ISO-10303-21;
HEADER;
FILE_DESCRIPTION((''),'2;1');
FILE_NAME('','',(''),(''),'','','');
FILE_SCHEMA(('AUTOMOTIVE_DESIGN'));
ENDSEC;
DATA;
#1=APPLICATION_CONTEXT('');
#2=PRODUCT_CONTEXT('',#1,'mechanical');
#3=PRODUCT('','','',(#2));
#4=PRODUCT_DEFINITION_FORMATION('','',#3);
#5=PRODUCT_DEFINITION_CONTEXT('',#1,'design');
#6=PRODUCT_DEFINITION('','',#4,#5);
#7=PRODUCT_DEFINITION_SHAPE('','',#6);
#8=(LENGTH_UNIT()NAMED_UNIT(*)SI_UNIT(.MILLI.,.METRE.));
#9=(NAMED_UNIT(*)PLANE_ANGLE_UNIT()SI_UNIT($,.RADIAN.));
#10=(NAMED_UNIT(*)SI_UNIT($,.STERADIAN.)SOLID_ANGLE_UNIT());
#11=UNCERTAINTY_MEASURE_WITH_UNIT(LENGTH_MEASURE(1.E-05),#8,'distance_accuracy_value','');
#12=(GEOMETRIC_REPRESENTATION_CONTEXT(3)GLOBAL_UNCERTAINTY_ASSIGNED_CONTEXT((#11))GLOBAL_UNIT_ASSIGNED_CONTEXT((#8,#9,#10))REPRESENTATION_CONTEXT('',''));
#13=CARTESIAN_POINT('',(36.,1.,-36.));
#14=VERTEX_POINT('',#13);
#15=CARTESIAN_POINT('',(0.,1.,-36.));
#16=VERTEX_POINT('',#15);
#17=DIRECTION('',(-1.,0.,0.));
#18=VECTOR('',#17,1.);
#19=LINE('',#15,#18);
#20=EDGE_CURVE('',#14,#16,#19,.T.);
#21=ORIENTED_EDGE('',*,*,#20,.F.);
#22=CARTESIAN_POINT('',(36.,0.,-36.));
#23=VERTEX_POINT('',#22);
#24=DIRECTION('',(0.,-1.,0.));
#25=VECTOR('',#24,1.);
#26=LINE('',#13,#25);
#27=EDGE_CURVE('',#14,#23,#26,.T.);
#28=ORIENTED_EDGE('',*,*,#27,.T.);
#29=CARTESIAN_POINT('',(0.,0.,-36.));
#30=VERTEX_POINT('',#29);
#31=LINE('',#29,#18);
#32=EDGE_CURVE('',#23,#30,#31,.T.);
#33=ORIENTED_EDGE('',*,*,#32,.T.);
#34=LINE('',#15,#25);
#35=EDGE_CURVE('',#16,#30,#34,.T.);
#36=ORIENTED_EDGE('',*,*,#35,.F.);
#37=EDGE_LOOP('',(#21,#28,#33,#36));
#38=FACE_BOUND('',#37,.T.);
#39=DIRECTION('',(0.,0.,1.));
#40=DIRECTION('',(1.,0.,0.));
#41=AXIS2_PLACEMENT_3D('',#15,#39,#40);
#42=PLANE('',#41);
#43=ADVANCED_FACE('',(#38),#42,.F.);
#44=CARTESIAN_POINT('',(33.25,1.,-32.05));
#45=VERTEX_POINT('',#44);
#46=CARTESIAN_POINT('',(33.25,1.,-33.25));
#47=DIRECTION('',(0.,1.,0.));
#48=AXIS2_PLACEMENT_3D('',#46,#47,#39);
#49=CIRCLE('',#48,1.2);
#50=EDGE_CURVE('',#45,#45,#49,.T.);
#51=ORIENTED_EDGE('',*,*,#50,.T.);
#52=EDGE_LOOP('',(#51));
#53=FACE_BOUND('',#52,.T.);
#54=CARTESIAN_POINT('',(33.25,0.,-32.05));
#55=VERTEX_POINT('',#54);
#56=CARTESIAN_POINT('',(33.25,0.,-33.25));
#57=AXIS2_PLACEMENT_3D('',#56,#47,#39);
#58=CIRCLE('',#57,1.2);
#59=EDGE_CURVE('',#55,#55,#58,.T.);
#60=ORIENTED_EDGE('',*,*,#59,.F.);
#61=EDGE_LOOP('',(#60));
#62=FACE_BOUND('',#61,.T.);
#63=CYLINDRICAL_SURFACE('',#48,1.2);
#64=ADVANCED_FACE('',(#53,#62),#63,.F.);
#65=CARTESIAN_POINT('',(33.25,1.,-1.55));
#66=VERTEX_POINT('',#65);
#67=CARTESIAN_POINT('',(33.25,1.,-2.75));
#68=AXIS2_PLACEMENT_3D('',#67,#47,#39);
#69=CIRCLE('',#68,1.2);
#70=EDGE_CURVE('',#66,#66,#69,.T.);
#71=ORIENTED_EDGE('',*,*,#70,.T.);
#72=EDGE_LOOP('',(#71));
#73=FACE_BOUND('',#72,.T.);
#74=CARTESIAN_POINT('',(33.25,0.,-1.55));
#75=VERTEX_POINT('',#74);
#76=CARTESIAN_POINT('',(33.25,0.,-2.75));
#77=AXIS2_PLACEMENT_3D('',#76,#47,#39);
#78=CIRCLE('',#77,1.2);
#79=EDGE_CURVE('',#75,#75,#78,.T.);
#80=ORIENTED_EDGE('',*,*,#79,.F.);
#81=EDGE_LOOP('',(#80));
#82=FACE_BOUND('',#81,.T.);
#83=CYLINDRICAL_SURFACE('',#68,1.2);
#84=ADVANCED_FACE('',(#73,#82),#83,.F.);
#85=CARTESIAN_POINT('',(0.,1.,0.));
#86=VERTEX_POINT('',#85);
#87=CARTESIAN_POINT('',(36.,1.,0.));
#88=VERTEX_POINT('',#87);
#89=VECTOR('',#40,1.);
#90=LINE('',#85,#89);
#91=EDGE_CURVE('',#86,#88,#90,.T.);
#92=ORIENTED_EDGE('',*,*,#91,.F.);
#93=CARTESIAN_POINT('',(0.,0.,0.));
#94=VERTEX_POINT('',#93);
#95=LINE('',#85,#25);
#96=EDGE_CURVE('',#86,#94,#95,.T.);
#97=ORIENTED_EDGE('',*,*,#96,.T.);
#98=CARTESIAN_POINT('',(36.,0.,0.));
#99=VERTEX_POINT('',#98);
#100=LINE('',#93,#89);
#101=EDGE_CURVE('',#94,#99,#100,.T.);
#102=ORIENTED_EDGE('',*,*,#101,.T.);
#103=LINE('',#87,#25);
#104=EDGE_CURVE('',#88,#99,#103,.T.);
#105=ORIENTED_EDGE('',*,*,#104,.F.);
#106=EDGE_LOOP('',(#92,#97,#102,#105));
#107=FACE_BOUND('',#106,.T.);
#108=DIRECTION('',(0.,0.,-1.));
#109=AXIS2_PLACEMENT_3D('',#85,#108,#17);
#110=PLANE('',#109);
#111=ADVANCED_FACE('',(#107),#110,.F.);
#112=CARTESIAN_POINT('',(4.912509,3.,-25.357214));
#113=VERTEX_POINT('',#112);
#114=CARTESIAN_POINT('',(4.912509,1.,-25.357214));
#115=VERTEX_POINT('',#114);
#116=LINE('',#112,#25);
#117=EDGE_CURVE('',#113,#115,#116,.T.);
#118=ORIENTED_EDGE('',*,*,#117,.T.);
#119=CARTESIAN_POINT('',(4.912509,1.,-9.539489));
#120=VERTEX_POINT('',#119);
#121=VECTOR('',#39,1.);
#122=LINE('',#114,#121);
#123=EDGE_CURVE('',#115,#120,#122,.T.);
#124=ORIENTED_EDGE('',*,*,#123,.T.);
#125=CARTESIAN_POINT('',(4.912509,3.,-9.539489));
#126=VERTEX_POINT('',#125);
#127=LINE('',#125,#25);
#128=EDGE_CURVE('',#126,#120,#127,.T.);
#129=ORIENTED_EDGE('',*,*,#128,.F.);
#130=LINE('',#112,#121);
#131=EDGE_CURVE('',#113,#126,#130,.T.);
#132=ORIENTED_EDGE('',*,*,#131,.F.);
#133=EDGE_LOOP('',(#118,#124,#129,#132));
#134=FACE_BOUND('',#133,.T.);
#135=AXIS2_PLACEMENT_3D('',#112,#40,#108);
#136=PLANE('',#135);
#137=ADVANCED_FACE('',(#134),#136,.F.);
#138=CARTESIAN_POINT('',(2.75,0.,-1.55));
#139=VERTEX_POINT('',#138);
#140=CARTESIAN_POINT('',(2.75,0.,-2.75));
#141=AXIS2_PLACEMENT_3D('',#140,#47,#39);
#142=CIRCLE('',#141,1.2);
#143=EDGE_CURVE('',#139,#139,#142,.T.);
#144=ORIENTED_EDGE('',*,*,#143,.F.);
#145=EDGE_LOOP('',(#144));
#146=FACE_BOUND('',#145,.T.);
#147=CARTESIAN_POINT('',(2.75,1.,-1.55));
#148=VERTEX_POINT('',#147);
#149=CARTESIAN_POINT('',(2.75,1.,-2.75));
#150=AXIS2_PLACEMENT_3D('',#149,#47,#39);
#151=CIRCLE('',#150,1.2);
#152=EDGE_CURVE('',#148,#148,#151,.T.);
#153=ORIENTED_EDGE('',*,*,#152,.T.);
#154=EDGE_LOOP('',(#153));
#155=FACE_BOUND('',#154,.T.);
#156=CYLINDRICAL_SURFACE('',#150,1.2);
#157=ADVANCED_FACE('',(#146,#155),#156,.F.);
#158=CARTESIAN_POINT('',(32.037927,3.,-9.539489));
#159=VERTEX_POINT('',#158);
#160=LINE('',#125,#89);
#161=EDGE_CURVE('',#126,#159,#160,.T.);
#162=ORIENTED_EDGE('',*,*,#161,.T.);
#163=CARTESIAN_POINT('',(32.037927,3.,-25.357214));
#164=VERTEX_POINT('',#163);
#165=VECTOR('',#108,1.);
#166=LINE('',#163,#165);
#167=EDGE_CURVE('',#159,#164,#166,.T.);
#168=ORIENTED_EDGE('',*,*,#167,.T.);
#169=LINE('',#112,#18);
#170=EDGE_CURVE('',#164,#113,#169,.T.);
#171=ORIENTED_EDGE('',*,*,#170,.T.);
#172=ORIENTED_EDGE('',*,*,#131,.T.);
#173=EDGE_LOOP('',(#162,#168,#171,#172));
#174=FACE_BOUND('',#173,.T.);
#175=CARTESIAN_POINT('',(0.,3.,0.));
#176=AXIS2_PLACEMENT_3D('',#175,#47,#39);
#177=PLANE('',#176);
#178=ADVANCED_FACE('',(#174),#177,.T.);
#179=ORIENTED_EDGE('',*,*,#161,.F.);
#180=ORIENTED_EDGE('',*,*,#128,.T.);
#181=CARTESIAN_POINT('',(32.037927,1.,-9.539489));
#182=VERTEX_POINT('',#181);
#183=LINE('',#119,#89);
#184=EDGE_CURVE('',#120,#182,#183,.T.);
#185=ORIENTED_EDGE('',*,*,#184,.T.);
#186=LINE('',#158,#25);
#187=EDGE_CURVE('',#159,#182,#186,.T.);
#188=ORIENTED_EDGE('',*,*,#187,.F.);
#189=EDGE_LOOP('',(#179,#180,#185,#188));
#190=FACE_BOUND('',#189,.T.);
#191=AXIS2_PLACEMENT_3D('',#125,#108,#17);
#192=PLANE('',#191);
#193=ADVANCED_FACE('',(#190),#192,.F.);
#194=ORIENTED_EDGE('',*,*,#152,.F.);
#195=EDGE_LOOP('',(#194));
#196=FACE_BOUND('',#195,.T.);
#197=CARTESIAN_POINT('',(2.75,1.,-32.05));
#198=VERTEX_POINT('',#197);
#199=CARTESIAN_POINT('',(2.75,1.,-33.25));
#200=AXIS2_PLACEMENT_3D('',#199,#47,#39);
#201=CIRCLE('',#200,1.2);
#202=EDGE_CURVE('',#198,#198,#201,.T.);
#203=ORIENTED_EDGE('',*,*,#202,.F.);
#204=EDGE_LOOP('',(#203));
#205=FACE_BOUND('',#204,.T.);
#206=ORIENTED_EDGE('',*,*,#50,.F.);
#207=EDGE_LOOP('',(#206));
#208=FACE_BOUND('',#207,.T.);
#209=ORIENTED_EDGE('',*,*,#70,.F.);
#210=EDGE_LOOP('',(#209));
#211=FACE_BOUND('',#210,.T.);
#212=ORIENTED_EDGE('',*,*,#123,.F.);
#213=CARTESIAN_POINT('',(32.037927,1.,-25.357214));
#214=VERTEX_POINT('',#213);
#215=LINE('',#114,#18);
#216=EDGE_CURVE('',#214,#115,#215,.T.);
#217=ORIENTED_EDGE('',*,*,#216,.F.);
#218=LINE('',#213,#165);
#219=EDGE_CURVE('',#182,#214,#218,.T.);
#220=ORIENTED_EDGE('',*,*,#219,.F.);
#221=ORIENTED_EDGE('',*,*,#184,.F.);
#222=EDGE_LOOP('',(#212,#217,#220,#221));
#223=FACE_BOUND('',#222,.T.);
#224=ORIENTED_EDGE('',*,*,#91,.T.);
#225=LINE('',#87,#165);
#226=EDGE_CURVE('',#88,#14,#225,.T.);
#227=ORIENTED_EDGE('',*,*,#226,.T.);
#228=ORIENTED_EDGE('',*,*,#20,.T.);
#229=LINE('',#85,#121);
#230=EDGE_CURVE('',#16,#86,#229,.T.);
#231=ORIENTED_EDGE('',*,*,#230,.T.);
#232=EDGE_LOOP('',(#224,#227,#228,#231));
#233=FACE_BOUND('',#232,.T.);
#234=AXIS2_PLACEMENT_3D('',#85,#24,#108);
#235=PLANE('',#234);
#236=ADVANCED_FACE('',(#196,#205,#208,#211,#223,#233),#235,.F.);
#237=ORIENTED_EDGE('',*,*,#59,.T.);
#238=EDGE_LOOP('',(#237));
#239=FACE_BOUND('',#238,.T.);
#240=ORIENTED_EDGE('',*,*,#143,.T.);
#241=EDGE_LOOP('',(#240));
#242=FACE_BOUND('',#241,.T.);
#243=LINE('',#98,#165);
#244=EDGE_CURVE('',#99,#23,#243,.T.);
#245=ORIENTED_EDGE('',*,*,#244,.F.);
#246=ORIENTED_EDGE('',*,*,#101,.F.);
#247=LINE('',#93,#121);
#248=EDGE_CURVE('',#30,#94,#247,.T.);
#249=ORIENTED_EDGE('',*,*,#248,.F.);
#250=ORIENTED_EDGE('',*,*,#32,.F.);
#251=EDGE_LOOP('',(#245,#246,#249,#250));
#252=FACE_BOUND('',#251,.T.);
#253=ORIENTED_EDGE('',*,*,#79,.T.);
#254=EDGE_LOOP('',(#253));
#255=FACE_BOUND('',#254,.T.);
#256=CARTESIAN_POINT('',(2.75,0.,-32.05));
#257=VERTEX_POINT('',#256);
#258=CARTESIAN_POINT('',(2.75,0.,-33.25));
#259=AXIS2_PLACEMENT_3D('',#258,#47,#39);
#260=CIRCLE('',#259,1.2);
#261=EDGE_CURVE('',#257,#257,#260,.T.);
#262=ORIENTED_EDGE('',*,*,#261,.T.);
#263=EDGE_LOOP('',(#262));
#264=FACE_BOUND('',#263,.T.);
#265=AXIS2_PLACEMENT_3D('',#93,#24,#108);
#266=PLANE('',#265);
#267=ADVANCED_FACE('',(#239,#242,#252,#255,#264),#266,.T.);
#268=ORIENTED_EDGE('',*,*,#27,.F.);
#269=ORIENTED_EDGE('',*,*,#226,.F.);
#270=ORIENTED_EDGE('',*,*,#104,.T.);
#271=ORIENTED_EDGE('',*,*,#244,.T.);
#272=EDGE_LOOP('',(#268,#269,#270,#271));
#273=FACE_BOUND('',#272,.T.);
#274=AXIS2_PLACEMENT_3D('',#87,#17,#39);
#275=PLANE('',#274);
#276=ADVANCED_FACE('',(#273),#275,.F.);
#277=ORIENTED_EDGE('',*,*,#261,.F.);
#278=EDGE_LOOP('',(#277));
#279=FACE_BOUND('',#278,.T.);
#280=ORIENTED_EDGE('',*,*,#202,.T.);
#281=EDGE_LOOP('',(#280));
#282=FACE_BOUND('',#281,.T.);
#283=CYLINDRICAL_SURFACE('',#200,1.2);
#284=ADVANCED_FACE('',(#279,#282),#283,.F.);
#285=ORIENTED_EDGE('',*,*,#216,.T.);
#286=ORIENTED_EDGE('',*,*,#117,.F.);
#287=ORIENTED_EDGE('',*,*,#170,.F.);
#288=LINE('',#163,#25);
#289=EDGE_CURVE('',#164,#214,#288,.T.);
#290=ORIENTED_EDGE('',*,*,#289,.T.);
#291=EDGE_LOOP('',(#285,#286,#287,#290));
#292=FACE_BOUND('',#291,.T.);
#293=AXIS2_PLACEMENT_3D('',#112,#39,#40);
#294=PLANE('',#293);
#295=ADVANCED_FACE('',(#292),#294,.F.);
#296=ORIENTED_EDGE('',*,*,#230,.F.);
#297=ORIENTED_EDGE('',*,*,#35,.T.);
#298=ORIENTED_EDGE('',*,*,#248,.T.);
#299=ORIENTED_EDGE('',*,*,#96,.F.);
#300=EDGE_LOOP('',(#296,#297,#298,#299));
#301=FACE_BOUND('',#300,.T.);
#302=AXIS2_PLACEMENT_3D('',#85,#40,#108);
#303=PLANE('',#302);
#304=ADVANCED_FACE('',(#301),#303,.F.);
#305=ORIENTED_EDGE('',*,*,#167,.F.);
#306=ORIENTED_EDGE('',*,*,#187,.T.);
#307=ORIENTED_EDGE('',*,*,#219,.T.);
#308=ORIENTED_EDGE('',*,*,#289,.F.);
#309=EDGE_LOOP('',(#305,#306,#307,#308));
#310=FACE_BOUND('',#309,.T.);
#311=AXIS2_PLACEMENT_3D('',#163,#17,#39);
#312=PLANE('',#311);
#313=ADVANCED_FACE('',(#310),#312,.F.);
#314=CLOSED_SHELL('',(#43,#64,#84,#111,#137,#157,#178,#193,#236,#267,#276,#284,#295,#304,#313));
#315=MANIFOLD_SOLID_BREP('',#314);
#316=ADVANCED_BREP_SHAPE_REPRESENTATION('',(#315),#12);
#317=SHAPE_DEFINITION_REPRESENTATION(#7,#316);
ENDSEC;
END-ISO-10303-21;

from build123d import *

# Parameters (mm, degrees)
ESQUISSE1_W        = 36
ESQUISSE1_H        = 36
BOSS_EXTRU_1_DEPTH = 1
D_GAGEMENT_M21_D   = 2.4
ESQUISSE4_W        = 27.125417606
ESQUISSE4_H        = 15.817725109
BOSS_EXTRU_2_DEPTH = 2


with BuildPart() as part:
    # Esquisse1 → Boss.-Extru.1 (new body)
    with BuildSketch(Plane(origin=(0, 0, 0), x_dir=(1, 0, 0), z_dir=(0, 1, 0))):
        with Locations((18, 18)):
            Rectangle(ESQUISSE1_W, ESQUISSE1_H)
    extrude(amount=BOSS_EXTRU_1_DEPTH)

    # Dégagement M21 (through all)
    with Locations(Plane(origin=(0, 1, 0), x_dir=(1, 0, 0), z_dir=(0, 1, 0))):
        with Locations((2.75, 2.75), (2.75, 33.25), (33.25, 33.25), (33.25, 2.75)):
            Hole(D_GAGEMENT_M21_D / 2)

    # Esquisse4 → Boss.-Extru.2 (add)
    with BuildSketch(Plane(origin=(0, 1, 0), x_dir=(1, 0, 0), z_dir=(0, 1, 0))):
        with Locations((18.47521777, 17.448351925)):
            Rectangle(ESQUISSE4_W, ESQUISSE4_H)
    extrude(amount=BOSS_EXTRU_2_DEPTH)


solid = part.part
